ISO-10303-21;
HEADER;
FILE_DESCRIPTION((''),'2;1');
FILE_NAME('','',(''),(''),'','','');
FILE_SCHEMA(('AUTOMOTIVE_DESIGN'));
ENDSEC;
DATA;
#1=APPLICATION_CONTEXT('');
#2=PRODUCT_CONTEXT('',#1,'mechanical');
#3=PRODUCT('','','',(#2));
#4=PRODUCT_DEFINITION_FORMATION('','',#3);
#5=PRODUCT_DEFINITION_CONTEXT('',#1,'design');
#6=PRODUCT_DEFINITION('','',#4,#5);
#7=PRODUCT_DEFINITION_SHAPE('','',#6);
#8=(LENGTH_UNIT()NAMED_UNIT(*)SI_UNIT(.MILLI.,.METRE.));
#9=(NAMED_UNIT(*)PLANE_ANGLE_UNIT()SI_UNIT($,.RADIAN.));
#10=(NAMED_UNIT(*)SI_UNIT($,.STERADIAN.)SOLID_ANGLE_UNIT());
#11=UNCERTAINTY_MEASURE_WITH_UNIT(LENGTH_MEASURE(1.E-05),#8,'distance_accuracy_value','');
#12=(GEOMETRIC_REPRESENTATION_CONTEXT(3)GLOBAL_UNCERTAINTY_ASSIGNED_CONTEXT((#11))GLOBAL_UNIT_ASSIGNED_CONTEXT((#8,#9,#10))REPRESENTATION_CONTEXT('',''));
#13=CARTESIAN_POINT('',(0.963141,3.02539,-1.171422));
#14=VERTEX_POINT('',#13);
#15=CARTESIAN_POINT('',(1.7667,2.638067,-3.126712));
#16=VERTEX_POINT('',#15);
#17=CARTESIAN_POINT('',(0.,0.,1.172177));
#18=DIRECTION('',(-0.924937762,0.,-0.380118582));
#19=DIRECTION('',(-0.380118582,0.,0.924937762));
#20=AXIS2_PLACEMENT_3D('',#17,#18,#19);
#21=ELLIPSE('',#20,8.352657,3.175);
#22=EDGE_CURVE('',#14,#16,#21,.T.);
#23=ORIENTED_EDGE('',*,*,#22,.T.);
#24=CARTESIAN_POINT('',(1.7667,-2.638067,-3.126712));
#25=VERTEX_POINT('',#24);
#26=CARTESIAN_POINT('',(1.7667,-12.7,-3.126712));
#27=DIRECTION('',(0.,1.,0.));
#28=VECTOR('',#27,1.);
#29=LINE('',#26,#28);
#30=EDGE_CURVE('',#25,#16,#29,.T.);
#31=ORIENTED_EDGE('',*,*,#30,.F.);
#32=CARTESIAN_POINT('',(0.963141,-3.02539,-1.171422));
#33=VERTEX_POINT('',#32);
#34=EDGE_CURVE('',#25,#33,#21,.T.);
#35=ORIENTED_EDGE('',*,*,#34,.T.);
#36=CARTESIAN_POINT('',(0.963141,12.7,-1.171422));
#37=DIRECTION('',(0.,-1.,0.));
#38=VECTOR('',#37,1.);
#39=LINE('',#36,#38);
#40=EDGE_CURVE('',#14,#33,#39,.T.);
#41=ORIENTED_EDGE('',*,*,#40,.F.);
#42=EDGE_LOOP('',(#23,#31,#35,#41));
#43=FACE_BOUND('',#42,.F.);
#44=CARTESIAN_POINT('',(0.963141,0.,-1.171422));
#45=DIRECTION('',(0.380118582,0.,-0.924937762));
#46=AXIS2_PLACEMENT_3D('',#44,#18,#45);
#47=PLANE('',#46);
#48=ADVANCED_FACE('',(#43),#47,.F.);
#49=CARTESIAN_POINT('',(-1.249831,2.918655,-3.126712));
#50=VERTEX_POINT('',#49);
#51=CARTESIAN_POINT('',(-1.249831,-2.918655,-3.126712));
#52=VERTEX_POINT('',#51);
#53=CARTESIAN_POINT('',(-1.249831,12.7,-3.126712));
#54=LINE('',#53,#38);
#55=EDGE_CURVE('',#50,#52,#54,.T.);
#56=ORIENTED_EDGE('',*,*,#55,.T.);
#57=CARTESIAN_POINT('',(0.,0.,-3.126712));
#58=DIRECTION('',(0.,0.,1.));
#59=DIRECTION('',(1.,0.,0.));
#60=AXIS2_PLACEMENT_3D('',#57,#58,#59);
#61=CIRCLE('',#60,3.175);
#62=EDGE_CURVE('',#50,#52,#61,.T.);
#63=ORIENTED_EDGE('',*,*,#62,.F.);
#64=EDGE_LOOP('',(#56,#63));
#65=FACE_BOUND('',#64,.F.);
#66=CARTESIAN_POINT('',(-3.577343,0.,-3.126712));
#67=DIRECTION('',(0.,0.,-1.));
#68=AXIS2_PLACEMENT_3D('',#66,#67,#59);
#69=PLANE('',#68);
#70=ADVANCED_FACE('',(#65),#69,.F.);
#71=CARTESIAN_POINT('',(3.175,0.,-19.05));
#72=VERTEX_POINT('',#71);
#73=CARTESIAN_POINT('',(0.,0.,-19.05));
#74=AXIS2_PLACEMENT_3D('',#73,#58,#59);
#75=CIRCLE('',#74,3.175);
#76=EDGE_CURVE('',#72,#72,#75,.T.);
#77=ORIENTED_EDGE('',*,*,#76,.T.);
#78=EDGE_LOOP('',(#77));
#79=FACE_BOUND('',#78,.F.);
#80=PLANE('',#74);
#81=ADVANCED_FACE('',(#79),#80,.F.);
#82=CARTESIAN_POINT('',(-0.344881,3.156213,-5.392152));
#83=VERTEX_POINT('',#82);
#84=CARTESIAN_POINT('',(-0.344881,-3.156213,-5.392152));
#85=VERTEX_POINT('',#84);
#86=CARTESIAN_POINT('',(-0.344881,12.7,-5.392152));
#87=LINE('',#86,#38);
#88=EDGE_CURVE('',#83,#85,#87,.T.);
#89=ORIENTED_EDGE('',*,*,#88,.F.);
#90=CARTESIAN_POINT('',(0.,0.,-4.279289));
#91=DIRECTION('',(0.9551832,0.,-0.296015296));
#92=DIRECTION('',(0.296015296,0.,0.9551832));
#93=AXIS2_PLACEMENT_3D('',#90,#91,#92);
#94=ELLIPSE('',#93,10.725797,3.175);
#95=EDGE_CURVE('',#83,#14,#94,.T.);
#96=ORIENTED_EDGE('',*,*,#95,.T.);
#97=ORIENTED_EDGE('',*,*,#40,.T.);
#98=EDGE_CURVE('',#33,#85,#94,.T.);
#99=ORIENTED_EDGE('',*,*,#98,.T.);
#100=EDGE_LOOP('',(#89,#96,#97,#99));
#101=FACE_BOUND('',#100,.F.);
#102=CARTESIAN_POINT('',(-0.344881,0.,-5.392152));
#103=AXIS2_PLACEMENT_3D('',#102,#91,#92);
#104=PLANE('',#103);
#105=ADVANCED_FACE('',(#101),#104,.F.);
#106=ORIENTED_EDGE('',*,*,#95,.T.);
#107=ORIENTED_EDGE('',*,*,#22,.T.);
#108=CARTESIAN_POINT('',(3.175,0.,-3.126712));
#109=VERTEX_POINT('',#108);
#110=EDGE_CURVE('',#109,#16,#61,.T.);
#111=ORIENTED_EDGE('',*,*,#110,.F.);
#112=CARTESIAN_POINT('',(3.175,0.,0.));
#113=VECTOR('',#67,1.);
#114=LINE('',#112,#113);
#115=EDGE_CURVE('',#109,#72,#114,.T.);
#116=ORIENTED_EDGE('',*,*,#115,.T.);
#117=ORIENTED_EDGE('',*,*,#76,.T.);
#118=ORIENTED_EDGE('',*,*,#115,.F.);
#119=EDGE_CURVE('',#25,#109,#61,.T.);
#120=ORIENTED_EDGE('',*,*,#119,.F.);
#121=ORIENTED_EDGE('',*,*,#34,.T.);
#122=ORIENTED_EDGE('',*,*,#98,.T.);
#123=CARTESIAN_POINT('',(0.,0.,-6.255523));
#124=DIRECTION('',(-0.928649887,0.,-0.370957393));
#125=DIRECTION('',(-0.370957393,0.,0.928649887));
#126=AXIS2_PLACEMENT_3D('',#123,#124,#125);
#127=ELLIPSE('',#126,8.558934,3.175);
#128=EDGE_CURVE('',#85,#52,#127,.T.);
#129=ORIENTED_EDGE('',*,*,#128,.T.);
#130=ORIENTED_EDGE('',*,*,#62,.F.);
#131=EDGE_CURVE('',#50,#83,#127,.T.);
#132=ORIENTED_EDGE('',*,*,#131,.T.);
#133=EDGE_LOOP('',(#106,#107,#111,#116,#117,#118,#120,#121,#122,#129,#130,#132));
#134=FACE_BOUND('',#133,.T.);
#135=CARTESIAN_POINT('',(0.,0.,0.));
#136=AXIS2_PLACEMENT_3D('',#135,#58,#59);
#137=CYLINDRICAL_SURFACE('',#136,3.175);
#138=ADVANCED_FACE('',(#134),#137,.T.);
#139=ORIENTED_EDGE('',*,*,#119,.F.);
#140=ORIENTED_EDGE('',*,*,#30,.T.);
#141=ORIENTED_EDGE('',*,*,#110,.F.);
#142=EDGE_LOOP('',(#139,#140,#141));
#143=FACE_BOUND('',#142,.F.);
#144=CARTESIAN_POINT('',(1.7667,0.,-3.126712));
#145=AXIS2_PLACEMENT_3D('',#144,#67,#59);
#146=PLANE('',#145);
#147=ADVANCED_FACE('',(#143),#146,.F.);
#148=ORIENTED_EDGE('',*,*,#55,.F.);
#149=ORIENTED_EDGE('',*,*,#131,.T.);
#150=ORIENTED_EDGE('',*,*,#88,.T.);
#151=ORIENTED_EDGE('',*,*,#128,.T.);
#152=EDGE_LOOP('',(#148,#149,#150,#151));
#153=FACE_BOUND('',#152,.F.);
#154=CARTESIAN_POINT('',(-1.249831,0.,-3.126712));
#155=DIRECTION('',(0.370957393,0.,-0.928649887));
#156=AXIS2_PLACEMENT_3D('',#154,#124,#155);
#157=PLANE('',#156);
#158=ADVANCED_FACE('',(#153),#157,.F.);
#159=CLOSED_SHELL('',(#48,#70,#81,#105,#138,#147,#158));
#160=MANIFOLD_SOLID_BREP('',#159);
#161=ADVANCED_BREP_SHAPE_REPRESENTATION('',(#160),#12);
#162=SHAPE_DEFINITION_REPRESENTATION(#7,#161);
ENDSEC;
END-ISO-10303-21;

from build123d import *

# Parameters (mm, degrees)
F0_R     = 3.175
F1_DEPTH = 19.05
F3_DEPTH = 12.7


with BuildPart() as f1:
    # F0 (on Top) → F1 (new body)
    with BuildSketch(Plane.XY):
        Circle(F0_R)
    extrude(amount=-F1_DEPTH)

    # F2 (on Front) → F3 (cut, symmetric)
    with BuildSketch(Plane.XZ):
        Polygon((3.41024, 0.097258), (-3.577343, 0.097258), (-3.577343, -3.126712), (-1.249831, -3.126712), (-0.344881, -5.392152), (0.963141, -1.171422), (1.7667, -3.126712), (3.502352, -3.126712), align=None)
    extrude(amount=F3_DEPTH, both=True, mode=Mode.SUBTRACT)


solid = f1.part
